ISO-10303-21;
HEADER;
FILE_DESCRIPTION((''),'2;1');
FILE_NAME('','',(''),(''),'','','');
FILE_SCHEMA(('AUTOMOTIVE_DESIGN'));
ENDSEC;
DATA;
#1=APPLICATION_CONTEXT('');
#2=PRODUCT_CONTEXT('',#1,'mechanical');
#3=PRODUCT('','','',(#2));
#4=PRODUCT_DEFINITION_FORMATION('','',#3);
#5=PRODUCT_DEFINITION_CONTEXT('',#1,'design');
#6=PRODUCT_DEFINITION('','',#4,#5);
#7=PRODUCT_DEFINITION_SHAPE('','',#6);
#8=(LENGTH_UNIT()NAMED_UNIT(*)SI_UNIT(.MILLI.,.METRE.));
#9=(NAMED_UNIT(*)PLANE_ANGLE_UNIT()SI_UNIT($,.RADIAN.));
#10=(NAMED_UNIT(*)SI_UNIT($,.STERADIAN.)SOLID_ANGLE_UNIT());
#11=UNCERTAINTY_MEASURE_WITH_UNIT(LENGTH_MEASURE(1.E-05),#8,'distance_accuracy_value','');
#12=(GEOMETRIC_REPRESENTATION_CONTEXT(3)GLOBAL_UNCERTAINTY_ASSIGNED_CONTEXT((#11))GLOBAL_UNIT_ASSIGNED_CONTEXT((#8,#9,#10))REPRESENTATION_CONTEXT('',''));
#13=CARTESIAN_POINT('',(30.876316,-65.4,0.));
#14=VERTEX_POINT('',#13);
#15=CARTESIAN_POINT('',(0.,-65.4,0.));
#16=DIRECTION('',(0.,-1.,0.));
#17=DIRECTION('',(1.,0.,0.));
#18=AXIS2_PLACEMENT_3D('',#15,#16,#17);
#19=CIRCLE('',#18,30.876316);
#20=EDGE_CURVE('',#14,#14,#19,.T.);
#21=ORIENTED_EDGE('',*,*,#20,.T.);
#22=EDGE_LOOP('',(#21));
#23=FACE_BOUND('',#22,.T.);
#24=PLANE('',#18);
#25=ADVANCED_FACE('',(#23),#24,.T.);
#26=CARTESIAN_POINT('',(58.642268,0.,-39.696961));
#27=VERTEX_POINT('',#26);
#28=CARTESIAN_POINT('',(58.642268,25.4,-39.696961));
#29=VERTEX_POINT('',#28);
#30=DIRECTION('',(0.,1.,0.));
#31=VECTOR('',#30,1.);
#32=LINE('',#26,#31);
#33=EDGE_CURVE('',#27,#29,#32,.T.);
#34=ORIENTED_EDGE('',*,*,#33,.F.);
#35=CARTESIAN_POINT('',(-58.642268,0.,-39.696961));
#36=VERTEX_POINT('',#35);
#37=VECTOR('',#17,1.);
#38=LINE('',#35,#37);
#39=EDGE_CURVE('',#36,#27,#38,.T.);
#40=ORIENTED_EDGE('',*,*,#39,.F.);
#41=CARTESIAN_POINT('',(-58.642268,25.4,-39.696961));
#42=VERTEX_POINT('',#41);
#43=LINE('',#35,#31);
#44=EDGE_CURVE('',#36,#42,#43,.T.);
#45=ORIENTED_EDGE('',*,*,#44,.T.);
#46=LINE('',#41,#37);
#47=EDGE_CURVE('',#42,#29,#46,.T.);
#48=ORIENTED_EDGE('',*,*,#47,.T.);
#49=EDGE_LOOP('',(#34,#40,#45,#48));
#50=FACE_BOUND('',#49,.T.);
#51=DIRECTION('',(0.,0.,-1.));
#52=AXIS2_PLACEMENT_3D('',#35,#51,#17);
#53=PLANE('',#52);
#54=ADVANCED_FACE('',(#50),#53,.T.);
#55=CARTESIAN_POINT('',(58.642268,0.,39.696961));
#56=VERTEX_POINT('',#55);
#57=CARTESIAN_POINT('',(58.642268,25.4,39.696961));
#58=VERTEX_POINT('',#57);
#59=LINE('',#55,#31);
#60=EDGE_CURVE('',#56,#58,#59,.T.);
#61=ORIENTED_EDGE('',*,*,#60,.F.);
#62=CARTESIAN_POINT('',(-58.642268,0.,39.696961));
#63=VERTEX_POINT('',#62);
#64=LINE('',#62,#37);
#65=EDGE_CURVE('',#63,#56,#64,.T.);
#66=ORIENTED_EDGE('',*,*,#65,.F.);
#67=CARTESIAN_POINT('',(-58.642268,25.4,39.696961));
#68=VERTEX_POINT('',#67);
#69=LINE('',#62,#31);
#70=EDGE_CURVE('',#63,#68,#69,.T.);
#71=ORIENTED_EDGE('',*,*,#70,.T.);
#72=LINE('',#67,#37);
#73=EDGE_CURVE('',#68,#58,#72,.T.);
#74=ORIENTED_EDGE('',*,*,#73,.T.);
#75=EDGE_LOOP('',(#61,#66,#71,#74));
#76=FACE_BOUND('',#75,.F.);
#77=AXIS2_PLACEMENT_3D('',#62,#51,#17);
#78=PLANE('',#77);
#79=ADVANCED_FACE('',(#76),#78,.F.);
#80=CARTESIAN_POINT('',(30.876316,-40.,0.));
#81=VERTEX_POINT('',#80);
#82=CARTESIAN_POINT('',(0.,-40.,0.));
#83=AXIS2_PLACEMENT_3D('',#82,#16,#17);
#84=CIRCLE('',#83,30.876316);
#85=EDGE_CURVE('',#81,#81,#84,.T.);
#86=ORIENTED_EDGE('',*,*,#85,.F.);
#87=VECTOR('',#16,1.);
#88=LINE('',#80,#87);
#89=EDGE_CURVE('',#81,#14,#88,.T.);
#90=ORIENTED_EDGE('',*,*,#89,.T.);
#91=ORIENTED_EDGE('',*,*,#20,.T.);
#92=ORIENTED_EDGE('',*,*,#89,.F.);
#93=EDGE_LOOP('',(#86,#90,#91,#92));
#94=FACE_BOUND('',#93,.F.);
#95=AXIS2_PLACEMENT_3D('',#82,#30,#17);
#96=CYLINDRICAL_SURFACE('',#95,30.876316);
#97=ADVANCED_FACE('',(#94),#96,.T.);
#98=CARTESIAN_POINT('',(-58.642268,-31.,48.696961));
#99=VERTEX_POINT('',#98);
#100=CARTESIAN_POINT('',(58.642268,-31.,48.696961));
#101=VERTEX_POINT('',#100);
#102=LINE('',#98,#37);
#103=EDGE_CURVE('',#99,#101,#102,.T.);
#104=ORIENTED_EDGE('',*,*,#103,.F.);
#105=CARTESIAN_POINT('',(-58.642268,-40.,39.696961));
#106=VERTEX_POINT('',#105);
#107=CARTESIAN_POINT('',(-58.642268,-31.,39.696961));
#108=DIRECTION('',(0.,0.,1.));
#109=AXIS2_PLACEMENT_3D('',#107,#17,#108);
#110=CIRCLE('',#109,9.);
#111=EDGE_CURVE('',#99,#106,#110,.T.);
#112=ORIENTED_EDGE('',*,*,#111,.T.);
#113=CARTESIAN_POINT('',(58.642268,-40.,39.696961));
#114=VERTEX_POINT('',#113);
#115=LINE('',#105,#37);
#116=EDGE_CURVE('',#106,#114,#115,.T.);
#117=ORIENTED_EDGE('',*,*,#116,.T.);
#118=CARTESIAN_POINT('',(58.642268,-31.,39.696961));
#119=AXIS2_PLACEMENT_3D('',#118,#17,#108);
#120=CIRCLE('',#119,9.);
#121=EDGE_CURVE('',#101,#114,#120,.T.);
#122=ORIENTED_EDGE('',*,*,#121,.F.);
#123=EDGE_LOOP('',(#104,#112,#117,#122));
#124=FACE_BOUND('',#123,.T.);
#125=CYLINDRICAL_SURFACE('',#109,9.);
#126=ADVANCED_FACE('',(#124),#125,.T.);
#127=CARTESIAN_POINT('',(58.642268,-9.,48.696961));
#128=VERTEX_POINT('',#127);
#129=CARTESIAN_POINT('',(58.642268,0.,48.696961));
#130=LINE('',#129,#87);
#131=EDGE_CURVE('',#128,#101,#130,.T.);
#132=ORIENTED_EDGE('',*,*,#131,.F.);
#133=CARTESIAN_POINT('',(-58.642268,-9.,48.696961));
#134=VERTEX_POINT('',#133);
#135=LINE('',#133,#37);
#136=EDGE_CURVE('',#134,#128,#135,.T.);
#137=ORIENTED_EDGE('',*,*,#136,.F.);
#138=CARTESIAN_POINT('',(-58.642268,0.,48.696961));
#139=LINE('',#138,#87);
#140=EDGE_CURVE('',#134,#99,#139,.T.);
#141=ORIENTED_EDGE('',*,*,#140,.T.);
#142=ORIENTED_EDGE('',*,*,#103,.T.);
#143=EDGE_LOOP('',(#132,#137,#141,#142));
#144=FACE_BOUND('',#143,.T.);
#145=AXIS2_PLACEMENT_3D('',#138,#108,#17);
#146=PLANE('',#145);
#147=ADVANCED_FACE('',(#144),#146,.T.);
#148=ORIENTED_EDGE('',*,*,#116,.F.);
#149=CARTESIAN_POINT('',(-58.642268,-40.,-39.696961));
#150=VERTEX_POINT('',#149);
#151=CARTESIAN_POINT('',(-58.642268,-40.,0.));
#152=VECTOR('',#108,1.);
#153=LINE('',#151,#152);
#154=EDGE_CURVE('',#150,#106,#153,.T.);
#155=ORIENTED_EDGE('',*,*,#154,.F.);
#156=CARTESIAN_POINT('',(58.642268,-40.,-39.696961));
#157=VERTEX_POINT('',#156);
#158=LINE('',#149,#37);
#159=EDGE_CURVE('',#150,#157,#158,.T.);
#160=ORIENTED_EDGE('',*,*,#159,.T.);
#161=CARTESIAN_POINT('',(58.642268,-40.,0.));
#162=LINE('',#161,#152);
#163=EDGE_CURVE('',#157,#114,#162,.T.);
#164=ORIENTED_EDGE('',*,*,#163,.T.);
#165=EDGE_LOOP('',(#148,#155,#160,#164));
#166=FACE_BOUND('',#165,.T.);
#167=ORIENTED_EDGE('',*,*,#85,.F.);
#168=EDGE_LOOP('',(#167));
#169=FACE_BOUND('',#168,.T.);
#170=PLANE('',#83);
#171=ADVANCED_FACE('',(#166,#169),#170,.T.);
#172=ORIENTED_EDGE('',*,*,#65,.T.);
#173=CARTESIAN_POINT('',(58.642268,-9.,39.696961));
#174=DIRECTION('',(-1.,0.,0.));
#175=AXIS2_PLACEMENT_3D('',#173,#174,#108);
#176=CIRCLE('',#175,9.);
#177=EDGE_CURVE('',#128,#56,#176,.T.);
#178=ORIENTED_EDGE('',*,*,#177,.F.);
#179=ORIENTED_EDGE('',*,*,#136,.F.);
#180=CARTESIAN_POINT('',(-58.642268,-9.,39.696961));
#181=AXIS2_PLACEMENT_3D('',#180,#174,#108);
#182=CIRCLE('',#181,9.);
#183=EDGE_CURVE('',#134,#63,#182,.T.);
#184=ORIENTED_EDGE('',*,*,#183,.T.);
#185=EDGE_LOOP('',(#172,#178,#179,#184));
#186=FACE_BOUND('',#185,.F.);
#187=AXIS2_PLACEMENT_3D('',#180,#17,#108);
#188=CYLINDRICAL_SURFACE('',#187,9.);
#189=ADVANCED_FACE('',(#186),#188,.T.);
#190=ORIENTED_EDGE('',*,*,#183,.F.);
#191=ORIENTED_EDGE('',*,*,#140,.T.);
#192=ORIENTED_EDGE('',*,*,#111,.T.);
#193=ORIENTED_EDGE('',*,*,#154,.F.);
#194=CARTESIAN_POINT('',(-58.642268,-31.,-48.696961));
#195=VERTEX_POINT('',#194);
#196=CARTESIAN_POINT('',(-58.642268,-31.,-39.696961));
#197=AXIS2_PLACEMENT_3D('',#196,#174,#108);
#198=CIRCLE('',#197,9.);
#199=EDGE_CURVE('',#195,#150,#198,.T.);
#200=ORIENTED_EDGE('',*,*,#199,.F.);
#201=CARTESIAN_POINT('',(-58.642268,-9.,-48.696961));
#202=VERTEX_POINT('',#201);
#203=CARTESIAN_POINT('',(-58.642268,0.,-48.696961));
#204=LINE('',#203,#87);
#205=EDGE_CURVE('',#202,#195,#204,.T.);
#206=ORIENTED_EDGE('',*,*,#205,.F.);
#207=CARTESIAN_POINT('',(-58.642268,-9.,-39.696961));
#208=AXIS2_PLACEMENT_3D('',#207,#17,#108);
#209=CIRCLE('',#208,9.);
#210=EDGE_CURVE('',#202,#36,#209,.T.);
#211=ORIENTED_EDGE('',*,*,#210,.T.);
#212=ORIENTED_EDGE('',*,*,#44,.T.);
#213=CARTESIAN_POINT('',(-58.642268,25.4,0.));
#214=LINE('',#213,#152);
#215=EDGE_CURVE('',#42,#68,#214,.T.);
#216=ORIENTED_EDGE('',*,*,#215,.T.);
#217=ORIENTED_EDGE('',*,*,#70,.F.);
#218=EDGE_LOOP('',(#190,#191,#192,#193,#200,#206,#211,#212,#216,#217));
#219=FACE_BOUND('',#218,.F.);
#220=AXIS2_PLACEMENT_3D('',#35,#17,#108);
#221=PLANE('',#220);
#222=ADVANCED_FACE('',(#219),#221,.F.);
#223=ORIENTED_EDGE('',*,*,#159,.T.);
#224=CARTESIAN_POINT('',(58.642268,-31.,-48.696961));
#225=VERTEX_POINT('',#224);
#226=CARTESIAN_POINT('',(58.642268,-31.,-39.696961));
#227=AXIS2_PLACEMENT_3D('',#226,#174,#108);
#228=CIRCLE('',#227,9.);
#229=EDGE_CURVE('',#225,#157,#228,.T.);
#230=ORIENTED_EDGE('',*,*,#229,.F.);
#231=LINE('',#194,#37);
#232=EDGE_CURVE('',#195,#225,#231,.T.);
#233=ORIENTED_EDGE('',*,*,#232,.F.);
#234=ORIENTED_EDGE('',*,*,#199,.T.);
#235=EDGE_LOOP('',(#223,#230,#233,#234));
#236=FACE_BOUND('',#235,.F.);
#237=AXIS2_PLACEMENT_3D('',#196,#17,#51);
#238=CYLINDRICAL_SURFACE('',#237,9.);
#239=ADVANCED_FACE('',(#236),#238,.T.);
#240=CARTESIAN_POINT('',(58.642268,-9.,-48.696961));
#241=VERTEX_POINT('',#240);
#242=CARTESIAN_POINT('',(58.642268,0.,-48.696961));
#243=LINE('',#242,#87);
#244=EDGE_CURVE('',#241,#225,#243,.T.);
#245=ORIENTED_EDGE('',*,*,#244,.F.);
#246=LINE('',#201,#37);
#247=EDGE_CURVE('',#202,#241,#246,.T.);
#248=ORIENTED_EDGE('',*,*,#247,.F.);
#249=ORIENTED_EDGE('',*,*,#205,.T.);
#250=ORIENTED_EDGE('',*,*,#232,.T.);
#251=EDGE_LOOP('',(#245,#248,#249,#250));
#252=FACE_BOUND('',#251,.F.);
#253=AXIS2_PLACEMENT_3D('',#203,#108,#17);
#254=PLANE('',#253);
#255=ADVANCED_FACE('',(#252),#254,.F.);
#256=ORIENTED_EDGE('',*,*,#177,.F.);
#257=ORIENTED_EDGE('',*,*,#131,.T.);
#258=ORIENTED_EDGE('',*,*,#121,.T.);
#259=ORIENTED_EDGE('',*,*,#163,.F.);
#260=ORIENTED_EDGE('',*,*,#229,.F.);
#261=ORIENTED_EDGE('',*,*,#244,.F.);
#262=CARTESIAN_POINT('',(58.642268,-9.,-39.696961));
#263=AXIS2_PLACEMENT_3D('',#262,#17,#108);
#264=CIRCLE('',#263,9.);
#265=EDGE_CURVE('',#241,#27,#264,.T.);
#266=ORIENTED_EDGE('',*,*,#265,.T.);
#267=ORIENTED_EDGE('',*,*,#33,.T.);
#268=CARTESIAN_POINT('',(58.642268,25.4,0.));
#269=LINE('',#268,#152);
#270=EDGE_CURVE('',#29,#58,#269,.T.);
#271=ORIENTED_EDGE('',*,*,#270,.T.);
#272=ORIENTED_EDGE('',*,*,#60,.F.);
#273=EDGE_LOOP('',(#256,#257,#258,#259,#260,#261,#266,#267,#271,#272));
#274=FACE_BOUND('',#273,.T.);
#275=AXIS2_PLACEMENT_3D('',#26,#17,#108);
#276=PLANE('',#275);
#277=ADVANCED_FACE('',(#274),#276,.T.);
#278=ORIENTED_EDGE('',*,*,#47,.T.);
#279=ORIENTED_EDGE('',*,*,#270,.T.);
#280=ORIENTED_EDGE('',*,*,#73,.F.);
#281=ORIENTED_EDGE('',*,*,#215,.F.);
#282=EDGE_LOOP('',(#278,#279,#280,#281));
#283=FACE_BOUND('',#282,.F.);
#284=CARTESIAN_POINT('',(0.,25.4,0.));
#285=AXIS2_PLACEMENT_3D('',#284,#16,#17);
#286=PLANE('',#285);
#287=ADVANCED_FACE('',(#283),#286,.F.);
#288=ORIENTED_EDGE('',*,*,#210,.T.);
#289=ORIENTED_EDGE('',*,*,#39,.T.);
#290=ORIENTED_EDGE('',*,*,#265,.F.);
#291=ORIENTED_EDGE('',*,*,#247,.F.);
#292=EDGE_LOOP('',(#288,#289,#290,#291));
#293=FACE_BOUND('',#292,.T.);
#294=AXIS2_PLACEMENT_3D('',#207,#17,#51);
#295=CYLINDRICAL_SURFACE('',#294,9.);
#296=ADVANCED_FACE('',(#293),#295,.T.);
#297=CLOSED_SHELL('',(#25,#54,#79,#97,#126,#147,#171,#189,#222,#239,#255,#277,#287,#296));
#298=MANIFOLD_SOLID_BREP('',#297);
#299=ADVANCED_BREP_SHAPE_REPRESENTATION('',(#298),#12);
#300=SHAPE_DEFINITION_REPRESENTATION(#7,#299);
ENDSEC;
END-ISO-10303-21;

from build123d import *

# Parameters (mm, degrees)
F0_W     = 117.2845363617
F0_H     = 97.3939225078
F1_DEPTH = 40
F2_R     = 9
F4_R     = 30.8763163617
F5_DEPTH = 25.4
F6_DEPTH = 25.4


with BuildPart() as f1:
    # F0 (on Front) → F1 (new body)
    with BuildSketch(Plane.XZ):
        Rectangle(F0_W, F0_H)
    extrude(amount=F1_DEPTH)

    # F2
    f2_edges = [f1.edges().sort_by_distance(p)[0] for p in [
        (0, 0, 48.696961),
        (0, -40, 48.696961),
        (0, -40, -48.696961),
        (0, 0, -48.696961),
    ]]
    fillet(f2_edges, radius=F2_R)

    # F4 (on face) → F5 (join)
    with BuildSketch(Plane.XZ.offset(40)):
        Circle(F4_R)
    extrude(amount=F5_DEPTH)

    # F6 (add): a face of the model
    f6_faces = [f1.faces().sort_by_distance(p)[0] for p in [
        (0, 0, 0),
    ]]
    extrude(f6_faces, amount=F6_DEPTH)


solid = f1.part
